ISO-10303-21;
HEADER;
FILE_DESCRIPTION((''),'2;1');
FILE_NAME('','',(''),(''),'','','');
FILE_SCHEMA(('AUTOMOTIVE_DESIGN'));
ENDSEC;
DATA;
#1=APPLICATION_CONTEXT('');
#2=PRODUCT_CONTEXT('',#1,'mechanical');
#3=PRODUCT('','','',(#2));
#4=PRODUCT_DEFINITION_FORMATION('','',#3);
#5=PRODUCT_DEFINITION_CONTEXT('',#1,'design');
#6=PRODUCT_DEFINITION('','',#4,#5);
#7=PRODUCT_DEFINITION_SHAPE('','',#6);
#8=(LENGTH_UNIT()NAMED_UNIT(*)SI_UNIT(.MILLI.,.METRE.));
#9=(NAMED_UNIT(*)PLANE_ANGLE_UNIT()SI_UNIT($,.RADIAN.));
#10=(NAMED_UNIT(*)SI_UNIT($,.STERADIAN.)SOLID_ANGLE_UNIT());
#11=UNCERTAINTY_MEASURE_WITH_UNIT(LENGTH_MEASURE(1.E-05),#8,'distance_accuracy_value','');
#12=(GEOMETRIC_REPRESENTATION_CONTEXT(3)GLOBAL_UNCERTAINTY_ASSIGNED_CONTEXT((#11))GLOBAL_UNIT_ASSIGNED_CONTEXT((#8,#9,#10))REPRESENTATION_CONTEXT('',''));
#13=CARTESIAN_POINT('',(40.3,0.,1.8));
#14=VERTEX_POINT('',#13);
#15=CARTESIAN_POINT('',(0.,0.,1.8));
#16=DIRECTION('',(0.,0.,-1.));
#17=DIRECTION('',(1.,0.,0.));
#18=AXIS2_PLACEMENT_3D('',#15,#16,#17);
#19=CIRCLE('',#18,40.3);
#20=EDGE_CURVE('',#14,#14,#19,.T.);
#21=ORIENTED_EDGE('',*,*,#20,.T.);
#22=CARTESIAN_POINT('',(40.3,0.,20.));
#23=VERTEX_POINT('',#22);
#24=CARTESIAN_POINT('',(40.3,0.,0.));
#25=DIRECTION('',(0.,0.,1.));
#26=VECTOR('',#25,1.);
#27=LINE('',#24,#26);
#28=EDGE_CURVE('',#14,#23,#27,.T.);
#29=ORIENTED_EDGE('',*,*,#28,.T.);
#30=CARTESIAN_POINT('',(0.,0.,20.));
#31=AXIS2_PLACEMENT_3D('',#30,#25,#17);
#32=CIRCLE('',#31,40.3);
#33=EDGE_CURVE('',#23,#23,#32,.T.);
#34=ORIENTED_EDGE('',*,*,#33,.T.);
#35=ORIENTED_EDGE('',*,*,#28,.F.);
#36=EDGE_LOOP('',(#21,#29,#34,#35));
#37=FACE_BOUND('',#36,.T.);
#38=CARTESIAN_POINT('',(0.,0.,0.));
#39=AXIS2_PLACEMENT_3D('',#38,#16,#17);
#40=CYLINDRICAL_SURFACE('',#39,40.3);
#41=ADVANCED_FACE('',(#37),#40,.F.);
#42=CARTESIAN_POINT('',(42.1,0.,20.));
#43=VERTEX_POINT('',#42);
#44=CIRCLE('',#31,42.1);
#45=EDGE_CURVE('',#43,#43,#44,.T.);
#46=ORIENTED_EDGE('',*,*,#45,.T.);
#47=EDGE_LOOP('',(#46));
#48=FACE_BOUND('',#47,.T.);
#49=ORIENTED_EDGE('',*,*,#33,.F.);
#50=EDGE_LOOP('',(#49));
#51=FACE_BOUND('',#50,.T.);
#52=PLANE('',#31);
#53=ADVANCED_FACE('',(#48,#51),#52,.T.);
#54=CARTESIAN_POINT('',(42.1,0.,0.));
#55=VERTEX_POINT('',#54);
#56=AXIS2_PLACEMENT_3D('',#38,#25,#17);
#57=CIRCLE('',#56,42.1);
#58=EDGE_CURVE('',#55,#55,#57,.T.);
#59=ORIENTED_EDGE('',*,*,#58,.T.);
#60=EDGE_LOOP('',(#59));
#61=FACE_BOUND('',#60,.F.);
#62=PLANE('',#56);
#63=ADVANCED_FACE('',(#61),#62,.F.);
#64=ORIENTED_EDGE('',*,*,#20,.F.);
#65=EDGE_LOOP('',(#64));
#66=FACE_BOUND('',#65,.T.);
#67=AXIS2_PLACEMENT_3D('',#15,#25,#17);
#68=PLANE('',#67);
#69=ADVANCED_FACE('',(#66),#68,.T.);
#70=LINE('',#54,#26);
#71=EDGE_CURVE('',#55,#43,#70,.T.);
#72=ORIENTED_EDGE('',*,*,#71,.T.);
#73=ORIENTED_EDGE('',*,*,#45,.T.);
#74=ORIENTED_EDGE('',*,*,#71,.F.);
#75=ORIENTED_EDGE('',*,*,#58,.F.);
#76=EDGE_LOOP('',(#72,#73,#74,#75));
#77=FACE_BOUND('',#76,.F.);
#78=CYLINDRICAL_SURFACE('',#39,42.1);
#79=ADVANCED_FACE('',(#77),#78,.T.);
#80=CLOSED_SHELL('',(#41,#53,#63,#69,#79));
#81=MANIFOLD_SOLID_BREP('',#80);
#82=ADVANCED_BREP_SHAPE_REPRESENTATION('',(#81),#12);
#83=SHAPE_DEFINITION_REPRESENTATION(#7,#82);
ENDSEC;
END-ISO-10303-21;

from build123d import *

# Parameters (mm, degrees)
SKETCH_R    = 42.1
PAD_DEPTH   = 20
THICKNESS_T = -1.8


with BuildPart() as part:
    # Sketch → Pad (new body)
    with BuildSketch(Plane.XY):
        Circle(SKETCH_R)
    extrude(amount=PAD_DEPTH)

    # Thickness
    thickness_openings = [part.faces().sort_by_distance(p)[0] for p in [
        (0, 0, 20),
    ]]
    offset(amount=THICKNESS_T, openings=thickness_openings)


solid = part.part
